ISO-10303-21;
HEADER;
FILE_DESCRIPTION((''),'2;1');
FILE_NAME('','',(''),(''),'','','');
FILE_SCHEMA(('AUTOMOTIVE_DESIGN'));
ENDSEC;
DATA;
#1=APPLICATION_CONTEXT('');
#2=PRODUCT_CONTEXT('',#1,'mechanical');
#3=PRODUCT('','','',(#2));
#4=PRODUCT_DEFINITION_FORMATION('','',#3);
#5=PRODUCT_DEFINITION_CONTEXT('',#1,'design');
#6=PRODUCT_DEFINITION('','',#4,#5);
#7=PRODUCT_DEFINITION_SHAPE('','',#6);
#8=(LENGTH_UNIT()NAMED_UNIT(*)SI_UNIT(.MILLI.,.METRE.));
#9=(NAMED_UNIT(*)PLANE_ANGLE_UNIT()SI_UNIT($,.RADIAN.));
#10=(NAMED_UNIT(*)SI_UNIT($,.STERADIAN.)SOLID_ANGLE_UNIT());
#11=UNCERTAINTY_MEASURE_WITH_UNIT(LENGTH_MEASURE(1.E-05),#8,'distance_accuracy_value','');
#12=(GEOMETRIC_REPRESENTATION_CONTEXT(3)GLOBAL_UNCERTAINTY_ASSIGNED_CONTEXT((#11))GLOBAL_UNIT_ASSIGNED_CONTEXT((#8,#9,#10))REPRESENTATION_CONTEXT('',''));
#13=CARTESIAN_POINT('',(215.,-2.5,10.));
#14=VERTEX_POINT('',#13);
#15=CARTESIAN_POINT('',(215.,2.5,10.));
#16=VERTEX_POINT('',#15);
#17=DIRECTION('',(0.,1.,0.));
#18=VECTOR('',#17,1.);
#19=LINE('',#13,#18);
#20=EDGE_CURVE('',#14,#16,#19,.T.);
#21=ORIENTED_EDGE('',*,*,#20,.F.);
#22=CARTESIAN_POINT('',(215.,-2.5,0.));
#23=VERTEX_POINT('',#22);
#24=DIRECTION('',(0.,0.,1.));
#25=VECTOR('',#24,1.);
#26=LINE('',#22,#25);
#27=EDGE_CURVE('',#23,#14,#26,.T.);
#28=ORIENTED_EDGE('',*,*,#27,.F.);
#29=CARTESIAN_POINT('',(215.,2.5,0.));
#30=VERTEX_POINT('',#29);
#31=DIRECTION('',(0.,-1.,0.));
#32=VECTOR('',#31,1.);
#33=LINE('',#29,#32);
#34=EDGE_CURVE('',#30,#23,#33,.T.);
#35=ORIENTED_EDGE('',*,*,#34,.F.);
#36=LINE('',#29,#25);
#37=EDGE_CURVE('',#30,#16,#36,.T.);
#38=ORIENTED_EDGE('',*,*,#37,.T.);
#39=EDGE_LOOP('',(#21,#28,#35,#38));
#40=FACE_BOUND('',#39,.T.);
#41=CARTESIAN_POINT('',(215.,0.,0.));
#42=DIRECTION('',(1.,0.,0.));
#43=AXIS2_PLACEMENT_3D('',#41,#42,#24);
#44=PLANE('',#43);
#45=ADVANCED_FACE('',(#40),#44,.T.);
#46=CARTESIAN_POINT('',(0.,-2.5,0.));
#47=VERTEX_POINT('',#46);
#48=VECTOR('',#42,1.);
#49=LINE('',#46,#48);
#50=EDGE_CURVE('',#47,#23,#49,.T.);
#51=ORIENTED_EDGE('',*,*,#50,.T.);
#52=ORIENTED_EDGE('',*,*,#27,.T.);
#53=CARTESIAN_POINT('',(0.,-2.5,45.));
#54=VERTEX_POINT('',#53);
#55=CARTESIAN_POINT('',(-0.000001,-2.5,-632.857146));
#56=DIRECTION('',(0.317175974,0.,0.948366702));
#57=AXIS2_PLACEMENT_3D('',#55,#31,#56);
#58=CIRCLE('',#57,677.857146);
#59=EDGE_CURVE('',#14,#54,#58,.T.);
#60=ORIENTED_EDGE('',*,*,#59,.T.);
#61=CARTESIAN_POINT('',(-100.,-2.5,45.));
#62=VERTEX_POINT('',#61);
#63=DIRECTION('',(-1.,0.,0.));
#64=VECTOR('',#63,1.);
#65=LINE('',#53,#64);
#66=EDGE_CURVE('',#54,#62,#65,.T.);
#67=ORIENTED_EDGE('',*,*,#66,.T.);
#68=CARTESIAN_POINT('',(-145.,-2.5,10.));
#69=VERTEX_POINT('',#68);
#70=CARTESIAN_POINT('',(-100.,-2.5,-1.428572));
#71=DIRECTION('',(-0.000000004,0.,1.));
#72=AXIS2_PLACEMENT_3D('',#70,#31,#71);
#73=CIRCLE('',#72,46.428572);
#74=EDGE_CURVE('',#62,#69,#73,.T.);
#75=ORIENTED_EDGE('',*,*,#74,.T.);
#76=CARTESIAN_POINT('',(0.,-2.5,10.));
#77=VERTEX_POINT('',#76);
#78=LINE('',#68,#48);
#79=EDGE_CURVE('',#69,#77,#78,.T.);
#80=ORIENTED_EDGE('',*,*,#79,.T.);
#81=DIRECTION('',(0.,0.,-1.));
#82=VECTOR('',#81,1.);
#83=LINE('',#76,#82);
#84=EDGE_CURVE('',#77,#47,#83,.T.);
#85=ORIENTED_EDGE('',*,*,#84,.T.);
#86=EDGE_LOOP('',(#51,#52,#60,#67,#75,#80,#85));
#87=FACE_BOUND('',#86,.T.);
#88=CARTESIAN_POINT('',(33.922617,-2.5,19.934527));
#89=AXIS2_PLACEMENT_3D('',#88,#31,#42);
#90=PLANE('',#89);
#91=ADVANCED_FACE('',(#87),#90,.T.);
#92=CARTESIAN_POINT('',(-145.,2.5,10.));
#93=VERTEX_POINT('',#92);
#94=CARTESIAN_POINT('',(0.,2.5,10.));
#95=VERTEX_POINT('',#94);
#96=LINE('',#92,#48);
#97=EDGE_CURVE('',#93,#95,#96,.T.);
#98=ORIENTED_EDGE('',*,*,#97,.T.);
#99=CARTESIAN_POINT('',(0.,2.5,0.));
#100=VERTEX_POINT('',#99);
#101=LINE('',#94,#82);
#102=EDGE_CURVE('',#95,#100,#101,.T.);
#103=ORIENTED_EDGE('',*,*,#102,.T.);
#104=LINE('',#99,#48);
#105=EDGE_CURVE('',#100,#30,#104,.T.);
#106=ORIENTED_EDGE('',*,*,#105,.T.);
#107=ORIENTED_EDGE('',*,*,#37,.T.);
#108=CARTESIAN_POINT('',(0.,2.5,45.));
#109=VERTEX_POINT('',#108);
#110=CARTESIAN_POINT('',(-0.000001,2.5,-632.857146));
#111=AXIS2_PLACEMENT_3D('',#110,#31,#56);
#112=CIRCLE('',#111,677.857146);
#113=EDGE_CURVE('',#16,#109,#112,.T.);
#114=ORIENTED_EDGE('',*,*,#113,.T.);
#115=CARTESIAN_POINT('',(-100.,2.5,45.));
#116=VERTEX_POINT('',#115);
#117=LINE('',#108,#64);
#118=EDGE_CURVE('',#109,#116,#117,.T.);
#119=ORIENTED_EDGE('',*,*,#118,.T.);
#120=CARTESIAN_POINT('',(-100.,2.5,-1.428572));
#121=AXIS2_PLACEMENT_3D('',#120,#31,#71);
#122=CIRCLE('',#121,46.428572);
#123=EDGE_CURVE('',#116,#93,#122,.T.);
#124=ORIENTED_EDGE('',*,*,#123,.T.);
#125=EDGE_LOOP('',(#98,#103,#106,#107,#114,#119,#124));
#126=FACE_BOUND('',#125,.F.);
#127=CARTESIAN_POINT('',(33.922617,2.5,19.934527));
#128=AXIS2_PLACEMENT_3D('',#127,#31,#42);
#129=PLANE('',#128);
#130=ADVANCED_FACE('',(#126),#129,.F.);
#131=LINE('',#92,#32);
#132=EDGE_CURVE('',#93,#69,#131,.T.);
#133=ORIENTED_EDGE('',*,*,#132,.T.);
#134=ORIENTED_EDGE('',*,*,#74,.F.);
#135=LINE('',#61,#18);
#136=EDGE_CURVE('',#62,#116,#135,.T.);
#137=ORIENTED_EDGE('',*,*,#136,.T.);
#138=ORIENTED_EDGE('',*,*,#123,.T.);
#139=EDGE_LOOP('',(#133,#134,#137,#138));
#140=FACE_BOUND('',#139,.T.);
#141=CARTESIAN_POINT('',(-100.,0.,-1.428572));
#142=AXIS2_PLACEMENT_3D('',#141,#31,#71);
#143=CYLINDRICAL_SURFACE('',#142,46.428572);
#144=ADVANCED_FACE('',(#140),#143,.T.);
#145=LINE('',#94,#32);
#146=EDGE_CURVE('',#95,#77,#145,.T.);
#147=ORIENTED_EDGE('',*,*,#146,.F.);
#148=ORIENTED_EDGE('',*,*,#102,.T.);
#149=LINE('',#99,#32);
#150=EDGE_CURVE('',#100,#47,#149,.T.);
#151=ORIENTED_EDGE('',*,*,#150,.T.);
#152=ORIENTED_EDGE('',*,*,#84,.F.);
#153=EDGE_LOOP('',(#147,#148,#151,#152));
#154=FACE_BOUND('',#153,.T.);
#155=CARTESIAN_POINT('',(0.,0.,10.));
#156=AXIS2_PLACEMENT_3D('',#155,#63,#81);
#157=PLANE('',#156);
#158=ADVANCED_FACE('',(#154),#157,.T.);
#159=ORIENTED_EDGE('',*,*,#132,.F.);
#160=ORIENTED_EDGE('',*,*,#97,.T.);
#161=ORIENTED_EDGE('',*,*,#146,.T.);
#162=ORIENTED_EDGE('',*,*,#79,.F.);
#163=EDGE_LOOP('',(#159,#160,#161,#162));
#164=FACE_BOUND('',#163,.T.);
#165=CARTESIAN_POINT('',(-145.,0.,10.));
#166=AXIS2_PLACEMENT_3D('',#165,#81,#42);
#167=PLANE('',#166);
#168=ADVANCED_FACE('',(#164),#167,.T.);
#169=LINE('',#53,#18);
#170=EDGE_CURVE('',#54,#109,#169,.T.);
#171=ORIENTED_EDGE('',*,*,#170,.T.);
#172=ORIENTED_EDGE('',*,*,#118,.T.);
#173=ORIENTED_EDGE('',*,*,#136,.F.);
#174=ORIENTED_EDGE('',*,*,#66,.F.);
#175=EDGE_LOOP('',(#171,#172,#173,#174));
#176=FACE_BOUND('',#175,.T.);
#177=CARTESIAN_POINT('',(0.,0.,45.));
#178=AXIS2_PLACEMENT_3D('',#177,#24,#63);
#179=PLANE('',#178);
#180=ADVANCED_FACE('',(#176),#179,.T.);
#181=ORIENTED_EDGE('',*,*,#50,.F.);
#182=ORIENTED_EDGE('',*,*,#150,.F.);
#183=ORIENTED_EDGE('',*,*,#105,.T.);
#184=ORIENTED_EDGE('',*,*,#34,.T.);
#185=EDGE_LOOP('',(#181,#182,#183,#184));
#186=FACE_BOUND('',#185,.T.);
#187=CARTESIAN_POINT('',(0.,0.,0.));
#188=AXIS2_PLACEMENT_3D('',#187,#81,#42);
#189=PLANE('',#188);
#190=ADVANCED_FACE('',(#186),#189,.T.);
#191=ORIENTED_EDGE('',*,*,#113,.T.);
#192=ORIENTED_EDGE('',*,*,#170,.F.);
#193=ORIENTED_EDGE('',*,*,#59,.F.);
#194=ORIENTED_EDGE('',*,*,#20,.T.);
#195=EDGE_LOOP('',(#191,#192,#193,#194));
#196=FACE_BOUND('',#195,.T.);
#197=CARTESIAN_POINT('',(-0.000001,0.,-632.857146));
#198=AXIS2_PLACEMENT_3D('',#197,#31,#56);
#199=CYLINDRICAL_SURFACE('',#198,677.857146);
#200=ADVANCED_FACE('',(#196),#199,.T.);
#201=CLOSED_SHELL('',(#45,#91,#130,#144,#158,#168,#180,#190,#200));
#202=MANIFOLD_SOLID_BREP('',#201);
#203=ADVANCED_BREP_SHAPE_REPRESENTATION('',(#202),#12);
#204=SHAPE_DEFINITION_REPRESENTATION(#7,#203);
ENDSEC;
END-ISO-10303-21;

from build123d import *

# Parameters (mm, degrees)
F1_DEPTH = 2.5


with BuildPart() as f1:
    # F0 (on Front) → F1 (new body, symmetric)
    with BuildSketch(Plane.XZ):
        with BuildLine():
            ThreePointArc((-100, 45), (-128.504386, 35.219924), (-145, 10))
            Line((-145, 10), (0, 10))
            Line((0, 10), (0, 0))
            Line((0, 0), (215, 0))
            Line((215, 0), (215, 10))
            ThreePointArc((215, 10), (108.915105, 36.192785), (0, 45))
            Line((0, 45), (-100, 45))
        make_face()
    extrude(amount=F1_DEPTH, both=True)


solid = f1.part
